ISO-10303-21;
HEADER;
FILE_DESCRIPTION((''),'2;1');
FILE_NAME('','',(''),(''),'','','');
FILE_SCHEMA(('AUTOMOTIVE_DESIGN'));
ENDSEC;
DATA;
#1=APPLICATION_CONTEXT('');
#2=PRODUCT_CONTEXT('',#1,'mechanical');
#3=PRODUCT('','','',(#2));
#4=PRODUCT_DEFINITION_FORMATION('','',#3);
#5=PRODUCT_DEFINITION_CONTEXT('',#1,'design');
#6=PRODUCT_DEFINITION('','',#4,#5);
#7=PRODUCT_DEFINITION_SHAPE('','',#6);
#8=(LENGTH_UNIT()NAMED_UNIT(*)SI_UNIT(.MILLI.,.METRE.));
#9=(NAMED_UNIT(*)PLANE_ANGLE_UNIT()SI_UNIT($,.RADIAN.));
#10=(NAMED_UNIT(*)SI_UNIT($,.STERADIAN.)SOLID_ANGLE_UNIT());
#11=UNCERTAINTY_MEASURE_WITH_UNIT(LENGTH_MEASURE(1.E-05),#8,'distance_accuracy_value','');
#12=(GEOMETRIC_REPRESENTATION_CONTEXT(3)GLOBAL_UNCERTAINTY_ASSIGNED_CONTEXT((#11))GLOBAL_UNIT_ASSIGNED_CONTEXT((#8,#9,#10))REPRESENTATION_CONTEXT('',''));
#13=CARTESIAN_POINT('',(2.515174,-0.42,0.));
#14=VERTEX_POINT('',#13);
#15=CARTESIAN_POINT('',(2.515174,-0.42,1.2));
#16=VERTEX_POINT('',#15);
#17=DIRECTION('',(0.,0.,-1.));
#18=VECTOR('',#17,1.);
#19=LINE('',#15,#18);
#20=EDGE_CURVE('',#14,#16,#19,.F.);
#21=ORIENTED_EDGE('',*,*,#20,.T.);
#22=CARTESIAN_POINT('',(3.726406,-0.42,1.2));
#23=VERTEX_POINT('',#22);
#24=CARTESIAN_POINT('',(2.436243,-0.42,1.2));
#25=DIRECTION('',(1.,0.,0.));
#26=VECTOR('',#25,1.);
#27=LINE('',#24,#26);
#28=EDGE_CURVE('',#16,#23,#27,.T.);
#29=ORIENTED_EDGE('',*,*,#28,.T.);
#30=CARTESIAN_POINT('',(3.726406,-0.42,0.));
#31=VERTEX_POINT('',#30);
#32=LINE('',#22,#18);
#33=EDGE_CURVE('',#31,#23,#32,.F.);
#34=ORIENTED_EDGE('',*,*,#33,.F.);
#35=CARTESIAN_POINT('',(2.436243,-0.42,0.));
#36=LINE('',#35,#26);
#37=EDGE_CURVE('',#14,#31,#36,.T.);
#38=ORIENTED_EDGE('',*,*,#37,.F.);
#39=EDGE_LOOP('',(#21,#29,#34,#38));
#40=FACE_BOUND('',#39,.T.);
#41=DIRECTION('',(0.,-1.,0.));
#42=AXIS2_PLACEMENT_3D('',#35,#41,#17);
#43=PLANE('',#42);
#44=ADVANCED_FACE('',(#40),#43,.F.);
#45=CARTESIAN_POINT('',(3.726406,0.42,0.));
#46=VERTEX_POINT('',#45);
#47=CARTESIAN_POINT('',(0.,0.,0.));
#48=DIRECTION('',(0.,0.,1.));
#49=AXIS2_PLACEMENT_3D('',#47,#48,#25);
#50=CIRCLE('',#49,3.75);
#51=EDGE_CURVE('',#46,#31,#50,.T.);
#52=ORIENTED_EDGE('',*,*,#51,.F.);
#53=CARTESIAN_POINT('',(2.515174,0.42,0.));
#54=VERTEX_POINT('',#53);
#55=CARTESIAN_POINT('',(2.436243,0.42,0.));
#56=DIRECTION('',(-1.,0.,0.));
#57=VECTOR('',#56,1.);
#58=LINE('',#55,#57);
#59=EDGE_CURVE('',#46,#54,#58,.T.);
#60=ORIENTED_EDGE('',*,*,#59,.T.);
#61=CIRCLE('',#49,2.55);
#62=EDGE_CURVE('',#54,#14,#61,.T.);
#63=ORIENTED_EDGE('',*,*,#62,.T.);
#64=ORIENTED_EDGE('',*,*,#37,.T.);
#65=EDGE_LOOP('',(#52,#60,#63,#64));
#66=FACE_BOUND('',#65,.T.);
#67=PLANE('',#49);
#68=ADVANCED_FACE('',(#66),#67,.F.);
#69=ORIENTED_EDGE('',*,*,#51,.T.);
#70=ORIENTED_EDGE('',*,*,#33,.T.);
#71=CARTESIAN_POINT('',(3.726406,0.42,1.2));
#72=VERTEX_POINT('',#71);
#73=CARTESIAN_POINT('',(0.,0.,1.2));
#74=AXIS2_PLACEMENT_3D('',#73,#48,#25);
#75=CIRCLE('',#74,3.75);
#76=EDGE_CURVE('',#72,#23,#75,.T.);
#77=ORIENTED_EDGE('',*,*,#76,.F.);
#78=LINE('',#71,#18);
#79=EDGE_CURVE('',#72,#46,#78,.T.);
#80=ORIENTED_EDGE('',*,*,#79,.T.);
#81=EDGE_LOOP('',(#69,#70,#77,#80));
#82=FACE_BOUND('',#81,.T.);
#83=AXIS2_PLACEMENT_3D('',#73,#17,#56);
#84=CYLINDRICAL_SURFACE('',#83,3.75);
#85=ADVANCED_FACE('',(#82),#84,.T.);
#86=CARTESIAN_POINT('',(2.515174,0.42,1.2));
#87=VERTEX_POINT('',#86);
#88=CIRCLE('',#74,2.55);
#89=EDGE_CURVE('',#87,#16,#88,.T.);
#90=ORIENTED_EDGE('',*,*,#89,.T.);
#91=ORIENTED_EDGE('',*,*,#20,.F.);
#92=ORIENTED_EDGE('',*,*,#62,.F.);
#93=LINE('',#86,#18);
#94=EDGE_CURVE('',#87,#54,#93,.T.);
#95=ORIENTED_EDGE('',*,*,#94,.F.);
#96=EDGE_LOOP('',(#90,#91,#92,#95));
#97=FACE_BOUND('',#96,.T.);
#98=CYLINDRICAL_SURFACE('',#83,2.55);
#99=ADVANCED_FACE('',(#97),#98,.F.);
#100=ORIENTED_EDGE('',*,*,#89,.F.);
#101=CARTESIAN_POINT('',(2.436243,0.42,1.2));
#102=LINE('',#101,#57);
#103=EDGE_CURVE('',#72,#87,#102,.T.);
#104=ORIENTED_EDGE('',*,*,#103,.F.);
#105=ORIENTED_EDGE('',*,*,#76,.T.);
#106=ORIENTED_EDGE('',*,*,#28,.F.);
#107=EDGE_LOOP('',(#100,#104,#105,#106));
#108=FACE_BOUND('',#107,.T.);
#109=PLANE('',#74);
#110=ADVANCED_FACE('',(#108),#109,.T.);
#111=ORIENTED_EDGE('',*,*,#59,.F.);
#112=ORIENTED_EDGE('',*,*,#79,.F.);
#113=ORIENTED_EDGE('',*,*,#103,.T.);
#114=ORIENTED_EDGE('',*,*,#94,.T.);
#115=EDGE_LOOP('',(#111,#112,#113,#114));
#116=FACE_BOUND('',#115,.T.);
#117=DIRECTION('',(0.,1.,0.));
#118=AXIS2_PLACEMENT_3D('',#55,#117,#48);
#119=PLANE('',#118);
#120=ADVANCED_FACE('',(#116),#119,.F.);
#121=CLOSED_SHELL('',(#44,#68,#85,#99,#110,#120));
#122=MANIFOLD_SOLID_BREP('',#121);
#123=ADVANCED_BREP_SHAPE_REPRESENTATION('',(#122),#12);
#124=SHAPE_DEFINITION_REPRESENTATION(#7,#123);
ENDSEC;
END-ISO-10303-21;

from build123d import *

# Parameters (mm, degrees)
SKETCH_1_R          = 3.75
SKETCH_1_R_2        = 2.55
EXTRUDE_1_DEPTH     = 1.2
SKETCH_2_W          = 1.400187421
SKETCH_2_H          = 0.84
CUT_EXTRUDE_1_DEPTH = 6.437370688


with BuildPart() as part:
    # Эскиз1 → Вытянуть1 (new body)
    with BuildSketch(Plane.XY):
        Circle(SKETCH_1_R)
        Circle(SKETCH_1_R_2, mode=Mode.SUBTRACT)
    extrude(amount=EXTRUDE_1_DEPTH)

    # Эскиз2 → Вырез-Вытянуть1 (cut, through all)
    with BuildSketch(Plane.XY.offset(1.2)):
        with Locations((3.136336779, 0)):
            Rectangle(SKETCH_2_W, SKETCH_2_H)
    extrude(amount=-CUT_EXTRUDE_1_DEPTH, mode=Mode.SUBTRACT)


solid = part.part
